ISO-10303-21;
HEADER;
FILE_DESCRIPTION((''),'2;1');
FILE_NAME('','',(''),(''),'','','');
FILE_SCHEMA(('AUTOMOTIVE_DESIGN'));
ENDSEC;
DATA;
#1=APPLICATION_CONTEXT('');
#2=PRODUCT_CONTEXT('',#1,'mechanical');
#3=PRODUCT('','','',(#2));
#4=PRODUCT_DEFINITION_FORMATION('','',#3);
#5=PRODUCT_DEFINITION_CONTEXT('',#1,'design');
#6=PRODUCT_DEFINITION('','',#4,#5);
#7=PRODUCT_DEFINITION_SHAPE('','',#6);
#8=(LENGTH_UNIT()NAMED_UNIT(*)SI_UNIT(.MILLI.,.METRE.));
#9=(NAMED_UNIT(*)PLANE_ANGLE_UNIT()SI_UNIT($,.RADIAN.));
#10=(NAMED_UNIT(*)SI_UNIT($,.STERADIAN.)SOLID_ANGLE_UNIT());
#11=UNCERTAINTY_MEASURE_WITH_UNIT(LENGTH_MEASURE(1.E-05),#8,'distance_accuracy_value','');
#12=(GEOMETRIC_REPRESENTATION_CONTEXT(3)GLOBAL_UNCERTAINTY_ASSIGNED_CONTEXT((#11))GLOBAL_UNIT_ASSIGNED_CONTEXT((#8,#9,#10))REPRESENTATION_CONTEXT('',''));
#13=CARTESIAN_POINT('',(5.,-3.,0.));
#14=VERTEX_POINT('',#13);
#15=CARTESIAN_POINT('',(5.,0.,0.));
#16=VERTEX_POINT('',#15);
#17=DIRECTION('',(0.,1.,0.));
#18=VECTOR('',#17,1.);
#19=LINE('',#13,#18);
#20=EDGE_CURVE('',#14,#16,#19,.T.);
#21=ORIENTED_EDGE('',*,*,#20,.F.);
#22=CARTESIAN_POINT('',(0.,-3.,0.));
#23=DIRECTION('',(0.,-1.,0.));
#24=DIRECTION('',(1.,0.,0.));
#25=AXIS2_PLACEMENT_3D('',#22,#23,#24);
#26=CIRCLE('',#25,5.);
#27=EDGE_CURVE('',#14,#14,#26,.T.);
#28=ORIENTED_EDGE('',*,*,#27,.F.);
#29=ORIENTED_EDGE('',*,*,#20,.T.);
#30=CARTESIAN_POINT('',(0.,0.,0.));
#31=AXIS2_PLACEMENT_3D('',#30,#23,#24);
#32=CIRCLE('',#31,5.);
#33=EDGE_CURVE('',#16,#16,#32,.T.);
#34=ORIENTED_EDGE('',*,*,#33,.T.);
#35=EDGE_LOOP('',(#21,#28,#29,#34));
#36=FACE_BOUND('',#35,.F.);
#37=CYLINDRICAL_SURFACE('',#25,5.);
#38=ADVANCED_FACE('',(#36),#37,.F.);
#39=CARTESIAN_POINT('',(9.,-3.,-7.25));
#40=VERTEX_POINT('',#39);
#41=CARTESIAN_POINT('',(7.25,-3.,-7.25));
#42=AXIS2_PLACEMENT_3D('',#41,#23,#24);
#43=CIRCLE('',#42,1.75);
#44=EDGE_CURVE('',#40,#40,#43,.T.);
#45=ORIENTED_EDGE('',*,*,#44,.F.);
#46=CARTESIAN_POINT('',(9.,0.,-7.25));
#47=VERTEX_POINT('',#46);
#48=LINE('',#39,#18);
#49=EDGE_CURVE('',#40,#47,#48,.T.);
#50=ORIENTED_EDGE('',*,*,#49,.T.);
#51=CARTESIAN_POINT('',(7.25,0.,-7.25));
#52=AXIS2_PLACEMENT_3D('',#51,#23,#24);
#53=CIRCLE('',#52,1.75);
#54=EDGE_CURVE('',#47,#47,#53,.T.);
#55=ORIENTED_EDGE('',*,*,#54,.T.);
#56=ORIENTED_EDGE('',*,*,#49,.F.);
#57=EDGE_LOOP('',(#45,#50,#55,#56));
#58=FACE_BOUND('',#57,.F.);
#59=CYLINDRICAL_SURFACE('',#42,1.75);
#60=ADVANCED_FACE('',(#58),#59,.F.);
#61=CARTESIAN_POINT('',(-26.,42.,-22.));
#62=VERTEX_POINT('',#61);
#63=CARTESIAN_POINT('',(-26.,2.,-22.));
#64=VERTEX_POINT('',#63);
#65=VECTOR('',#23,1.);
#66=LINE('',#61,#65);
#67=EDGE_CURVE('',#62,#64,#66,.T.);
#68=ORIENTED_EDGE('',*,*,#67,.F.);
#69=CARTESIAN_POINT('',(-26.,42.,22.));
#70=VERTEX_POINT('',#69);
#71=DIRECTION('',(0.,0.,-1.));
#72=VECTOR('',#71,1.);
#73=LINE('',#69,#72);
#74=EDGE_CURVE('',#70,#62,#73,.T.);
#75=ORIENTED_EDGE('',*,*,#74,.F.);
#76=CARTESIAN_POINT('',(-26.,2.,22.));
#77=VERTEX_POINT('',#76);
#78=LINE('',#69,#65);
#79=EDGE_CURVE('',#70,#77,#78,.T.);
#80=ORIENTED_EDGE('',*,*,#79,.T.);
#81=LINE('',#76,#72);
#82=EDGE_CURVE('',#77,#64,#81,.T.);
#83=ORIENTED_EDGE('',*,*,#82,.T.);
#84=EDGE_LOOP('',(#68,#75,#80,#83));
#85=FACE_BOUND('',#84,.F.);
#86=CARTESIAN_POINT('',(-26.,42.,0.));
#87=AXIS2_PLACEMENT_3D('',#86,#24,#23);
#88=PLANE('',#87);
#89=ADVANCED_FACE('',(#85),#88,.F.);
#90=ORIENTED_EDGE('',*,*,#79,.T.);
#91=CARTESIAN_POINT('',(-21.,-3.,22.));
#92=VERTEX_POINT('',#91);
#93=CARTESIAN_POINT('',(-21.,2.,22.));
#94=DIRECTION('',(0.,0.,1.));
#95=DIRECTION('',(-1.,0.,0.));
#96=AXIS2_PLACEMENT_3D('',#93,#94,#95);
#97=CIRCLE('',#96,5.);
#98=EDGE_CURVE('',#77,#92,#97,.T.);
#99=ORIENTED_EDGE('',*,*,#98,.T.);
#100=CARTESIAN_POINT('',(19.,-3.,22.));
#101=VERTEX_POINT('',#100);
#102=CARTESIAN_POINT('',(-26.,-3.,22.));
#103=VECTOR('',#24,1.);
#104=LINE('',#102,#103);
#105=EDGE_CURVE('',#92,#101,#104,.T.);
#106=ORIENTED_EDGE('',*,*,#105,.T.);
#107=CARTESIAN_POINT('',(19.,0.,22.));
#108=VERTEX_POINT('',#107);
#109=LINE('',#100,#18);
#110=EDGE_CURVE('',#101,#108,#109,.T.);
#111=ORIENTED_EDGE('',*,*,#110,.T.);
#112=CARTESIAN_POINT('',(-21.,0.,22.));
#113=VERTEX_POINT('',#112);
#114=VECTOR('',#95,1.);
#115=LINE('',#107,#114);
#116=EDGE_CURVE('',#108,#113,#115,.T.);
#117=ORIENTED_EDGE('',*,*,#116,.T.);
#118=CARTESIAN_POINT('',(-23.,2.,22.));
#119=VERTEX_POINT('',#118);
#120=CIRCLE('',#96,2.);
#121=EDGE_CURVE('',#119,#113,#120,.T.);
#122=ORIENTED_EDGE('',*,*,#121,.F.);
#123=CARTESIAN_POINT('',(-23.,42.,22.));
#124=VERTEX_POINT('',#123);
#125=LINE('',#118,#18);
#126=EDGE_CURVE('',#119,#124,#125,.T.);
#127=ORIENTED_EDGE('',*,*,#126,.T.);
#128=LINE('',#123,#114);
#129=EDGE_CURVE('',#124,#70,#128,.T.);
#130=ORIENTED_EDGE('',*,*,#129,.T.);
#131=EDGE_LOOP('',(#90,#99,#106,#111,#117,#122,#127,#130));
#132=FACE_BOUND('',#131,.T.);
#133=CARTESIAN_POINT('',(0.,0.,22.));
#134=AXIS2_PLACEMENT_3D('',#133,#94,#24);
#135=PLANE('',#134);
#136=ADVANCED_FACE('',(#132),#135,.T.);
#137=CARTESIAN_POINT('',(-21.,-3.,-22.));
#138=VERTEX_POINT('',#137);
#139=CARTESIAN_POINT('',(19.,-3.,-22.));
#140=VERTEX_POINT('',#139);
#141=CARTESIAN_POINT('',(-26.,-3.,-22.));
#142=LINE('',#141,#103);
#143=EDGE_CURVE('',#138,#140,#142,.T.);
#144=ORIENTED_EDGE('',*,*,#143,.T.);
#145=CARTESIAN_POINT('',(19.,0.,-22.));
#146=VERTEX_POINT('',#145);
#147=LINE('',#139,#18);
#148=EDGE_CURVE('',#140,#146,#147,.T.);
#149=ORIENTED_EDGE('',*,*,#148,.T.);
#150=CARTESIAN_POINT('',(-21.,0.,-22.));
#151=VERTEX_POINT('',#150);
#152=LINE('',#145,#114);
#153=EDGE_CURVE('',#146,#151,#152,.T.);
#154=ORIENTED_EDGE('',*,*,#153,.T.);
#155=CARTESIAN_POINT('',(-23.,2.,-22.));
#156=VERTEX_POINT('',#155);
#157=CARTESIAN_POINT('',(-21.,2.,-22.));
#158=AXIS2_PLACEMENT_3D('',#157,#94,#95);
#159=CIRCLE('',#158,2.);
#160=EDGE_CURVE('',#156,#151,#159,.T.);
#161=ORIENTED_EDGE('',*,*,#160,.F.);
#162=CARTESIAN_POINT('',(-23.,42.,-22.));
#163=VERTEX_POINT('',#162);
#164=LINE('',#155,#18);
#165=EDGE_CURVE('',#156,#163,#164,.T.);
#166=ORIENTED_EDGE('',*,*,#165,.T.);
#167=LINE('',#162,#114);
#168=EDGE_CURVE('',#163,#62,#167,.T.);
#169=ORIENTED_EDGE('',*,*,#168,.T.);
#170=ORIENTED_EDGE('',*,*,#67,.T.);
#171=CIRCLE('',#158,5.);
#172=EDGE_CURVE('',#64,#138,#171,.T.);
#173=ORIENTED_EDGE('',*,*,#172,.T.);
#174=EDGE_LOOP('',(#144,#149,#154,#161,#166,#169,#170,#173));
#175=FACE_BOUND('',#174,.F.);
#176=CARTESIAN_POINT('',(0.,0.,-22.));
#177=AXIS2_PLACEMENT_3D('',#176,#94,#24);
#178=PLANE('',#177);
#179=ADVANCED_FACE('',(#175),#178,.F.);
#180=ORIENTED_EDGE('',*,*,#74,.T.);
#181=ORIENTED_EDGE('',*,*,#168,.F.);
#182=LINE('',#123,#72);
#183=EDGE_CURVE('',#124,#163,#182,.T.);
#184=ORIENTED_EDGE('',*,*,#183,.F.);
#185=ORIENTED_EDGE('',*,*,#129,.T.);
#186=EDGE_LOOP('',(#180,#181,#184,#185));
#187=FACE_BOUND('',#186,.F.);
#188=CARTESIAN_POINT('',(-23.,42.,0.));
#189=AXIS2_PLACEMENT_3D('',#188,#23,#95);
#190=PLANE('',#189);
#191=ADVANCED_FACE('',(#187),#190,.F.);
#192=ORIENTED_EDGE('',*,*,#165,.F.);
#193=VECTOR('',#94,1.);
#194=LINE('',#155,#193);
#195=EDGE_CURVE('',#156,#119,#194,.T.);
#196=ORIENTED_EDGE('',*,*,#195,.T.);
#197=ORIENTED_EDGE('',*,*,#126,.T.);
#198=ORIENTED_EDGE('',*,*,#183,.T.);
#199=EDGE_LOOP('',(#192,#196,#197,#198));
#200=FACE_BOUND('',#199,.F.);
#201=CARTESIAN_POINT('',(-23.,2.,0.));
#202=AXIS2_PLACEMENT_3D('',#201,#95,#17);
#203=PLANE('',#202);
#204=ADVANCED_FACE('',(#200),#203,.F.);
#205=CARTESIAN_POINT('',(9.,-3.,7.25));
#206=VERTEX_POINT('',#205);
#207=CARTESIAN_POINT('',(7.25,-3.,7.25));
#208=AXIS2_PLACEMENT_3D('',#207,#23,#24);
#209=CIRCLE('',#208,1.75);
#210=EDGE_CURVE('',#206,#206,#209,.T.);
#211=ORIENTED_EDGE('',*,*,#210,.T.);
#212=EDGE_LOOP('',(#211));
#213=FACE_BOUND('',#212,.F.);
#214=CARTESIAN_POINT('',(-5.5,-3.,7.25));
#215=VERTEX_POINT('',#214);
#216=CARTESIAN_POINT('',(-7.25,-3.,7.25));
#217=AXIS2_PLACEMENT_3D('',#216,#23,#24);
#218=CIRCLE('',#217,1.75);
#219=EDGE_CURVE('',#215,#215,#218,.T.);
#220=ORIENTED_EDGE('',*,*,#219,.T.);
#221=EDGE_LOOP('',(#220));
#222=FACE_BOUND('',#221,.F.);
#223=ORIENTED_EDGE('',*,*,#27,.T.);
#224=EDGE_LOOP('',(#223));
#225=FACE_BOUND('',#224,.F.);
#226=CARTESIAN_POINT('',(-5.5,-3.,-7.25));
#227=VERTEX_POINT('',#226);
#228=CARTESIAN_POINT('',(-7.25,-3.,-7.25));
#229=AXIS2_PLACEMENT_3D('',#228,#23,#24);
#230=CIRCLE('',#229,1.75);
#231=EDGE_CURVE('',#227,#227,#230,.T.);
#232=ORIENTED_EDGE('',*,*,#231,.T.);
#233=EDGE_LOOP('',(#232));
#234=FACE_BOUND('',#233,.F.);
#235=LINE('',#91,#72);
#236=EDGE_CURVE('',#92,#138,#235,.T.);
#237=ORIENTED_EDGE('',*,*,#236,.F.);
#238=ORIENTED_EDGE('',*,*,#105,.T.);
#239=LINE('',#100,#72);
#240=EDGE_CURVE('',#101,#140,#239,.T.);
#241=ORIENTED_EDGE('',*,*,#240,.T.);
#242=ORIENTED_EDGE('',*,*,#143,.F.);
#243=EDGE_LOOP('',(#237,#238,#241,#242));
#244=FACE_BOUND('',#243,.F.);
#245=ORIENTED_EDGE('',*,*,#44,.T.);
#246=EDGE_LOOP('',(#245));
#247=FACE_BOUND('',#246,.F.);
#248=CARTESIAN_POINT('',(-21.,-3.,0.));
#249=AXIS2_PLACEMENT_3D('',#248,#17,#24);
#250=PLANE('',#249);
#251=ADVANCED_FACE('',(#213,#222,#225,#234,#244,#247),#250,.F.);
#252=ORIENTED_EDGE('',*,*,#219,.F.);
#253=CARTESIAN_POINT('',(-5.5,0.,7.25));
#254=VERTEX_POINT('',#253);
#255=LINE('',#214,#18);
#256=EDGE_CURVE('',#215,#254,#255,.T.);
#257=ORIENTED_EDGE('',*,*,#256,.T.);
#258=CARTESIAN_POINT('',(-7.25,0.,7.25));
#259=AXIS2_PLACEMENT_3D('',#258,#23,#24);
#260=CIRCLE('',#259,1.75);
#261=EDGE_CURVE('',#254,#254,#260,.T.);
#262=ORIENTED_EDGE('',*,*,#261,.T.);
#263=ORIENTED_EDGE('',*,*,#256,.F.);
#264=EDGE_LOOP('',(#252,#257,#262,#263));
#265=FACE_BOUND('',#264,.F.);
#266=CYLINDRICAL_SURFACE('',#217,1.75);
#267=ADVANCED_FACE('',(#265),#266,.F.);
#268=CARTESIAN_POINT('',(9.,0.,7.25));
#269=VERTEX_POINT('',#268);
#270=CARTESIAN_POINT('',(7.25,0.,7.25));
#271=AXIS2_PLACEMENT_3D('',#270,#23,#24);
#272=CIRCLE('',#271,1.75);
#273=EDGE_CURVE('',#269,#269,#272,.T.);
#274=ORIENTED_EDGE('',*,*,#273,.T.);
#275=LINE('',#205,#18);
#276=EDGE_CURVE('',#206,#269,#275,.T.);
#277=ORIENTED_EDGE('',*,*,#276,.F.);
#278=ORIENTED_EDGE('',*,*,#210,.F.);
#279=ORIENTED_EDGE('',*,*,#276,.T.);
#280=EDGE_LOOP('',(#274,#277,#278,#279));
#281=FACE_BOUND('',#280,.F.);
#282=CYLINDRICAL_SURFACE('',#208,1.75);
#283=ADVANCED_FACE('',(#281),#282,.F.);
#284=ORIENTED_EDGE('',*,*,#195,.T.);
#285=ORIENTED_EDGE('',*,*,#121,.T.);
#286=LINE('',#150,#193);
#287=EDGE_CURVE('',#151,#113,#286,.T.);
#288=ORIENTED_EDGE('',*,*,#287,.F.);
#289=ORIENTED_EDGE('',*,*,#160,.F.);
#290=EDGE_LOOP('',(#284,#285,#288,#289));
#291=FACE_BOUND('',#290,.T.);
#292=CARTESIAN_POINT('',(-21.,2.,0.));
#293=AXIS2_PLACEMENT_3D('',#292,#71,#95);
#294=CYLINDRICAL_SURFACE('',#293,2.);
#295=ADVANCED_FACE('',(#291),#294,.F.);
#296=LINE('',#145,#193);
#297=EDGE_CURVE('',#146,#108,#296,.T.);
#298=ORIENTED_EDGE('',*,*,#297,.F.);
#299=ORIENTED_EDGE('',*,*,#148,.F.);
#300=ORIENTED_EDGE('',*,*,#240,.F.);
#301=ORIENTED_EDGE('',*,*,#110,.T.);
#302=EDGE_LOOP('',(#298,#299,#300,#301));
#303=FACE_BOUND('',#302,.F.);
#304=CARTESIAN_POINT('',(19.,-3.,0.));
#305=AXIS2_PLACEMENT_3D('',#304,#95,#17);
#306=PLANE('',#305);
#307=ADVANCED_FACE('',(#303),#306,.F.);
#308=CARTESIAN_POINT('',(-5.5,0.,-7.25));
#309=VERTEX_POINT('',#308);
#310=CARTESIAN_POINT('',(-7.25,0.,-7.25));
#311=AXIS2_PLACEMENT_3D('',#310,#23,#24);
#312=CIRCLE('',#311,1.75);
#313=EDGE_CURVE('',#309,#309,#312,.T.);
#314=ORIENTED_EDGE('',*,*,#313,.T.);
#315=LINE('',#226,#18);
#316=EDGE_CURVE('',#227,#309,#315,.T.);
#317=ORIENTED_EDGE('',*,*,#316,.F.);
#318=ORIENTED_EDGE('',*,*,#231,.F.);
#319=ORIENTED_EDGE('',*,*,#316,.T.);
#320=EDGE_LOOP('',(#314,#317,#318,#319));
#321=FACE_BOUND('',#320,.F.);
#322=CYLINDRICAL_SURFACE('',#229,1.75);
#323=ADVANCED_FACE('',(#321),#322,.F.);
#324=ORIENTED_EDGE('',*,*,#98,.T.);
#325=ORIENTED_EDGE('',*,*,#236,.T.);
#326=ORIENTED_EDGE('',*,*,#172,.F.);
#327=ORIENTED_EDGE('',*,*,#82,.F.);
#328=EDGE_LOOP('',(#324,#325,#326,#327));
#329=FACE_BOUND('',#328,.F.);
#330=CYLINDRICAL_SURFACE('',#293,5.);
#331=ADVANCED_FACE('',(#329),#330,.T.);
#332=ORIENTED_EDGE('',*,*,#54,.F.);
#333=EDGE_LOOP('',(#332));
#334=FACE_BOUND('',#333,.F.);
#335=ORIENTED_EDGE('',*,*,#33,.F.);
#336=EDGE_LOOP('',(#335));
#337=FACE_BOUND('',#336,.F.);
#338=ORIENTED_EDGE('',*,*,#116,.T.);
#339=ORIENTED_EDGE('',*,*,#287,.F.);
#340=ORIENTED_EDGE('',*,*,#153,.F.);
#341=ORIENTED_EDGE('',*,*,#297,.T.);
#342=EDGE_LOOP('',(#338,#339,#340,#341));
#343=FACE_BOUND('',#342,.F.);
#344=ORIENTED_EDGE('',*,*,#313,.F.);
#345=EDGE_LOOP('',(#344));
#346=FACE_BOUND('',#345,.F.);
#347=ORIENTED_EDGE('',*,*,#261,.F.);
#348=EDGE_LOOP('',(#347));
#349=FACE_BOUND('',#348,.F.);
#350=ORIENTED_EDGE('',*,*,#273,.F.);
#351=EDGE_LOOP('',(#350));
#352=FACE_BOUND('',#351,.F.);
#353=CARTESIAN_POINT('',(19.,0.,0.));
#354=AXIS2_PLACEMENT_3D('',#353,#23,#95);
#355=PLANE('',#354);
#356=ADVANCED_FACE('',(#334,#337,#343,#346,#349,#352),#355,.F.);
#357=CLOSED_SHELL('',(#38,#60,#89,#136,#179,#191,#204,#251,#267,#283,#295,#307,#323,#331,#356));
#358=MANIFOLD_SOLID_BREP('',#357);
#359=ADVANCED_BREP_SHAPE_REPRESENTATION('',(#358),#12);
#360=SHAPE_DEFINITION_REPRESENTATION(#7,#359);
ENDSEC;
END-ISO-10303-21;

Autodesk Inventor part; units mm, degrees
ref_plane "YZ Plane" through (0, 0, 0) normal (1, 0, 0) x (0, 1, 0)
ref_plane "XZ Plane" through (0, 0, 0) normal (0, 1, 0) x (-1, 0, 0)
ref_plane "XY Plane" through (0, 0, 0) normal (0, 0, 1) x (1, 0, 0)
sketch "Sketch1" plane through (0, 0, 0) normal (0, 0, 1) x (1, 0, 0)
  line L0 (19, 0) -> (-21, 0)
  line L1 (-26, 0) -> (-26, -3)
  line L2 (-26, -3) -> (19, -3)
  line L3 (19, -3) -> (19, 0)
  line L4 (-26, -3) -> (-23, -3)
  line L5 (-23, 2) -> (-23, 42)
  line L6 (-23, 42) -> (-26, 42)
  line L7 (-26, 42) -> (-26, -3)
  arc A0 (-23, 2) -> (-21, 0) centre (-21, 2) ccw
  arc A1 (-26, 2) -> (-21, -3) centre (-21, 2) ccw
  point P0 (0, 0)
  point P1 (19, -1.5)
  dimension "d0" = 45
  dimension "d1" = 19
  dimension "d2" = 45
  dimension "d3" = 3
  dimension "d4" = 3
  dimension "d5" = 2
extrude "Extrusion1" add sketch "Sketch1" along normal mid plane 44 contours L3 L2 A1 L7 L6 L5 A0 L0
sketch "Sketch2" plane through (-21, -3, 22) normal (0, -1, 0) x (1, 0, 0)
  circle A0 centre (21, -22) radius 5
  dimension "d8" = 10
extrude "Extrusion2" cut sketch "Sketch2" against normal through all
sketch "Sketch3" plane through (-21, -3, 22) normal (0, -1, 0) x (1, 0, 0)
  point P0 (21, -22)
sketch "Sketch4" plane through (-21, -3, 22) normal (0, -1, 0) x (1, 0, 0)
  line L0 (28.25, -14.75) -> (13.75, -14.75) construction
  line L1 (13.75, -14.75) -> (13.75, -29.25) construction
  line L2 (13.75, -29.25) -> (28.25, -29.25) construction
  line L3 (28.25, -29.25) -> (28.25, -14.75) construction
  line L4 (28.25, -14.75) -> (13.75, -29.25) construction
  line L5 (13.75, -14.75) -> (28.25, -29.25) construction
  circle A0 centre (28.25, -29.25) radius 1.75
  circle A1 centre (13.75, -29.25) radius 1.75
  circle A2 centre (13.75, -14.75) radius 1.75
  circle A3 centre (28.25, -14.75) radius 1.75
  point P0 (21, -22)
  dimension "d11" = 14.5
  dimension "d12" = 14.5
  dimension "d13" = 3.5
  dimension "d14" = 3.5
  dimension "d15" = 3.5
  dimension "d16" = 3.5
extrude "Extrusion3" cut sketch "Sketch4" against normal up to surface (3 mm away)
equation "\"d14\" = d13"
equation "\"d15\" = d13"
equation "\"d16\" = d13"
properties part number "Angle_motor"
